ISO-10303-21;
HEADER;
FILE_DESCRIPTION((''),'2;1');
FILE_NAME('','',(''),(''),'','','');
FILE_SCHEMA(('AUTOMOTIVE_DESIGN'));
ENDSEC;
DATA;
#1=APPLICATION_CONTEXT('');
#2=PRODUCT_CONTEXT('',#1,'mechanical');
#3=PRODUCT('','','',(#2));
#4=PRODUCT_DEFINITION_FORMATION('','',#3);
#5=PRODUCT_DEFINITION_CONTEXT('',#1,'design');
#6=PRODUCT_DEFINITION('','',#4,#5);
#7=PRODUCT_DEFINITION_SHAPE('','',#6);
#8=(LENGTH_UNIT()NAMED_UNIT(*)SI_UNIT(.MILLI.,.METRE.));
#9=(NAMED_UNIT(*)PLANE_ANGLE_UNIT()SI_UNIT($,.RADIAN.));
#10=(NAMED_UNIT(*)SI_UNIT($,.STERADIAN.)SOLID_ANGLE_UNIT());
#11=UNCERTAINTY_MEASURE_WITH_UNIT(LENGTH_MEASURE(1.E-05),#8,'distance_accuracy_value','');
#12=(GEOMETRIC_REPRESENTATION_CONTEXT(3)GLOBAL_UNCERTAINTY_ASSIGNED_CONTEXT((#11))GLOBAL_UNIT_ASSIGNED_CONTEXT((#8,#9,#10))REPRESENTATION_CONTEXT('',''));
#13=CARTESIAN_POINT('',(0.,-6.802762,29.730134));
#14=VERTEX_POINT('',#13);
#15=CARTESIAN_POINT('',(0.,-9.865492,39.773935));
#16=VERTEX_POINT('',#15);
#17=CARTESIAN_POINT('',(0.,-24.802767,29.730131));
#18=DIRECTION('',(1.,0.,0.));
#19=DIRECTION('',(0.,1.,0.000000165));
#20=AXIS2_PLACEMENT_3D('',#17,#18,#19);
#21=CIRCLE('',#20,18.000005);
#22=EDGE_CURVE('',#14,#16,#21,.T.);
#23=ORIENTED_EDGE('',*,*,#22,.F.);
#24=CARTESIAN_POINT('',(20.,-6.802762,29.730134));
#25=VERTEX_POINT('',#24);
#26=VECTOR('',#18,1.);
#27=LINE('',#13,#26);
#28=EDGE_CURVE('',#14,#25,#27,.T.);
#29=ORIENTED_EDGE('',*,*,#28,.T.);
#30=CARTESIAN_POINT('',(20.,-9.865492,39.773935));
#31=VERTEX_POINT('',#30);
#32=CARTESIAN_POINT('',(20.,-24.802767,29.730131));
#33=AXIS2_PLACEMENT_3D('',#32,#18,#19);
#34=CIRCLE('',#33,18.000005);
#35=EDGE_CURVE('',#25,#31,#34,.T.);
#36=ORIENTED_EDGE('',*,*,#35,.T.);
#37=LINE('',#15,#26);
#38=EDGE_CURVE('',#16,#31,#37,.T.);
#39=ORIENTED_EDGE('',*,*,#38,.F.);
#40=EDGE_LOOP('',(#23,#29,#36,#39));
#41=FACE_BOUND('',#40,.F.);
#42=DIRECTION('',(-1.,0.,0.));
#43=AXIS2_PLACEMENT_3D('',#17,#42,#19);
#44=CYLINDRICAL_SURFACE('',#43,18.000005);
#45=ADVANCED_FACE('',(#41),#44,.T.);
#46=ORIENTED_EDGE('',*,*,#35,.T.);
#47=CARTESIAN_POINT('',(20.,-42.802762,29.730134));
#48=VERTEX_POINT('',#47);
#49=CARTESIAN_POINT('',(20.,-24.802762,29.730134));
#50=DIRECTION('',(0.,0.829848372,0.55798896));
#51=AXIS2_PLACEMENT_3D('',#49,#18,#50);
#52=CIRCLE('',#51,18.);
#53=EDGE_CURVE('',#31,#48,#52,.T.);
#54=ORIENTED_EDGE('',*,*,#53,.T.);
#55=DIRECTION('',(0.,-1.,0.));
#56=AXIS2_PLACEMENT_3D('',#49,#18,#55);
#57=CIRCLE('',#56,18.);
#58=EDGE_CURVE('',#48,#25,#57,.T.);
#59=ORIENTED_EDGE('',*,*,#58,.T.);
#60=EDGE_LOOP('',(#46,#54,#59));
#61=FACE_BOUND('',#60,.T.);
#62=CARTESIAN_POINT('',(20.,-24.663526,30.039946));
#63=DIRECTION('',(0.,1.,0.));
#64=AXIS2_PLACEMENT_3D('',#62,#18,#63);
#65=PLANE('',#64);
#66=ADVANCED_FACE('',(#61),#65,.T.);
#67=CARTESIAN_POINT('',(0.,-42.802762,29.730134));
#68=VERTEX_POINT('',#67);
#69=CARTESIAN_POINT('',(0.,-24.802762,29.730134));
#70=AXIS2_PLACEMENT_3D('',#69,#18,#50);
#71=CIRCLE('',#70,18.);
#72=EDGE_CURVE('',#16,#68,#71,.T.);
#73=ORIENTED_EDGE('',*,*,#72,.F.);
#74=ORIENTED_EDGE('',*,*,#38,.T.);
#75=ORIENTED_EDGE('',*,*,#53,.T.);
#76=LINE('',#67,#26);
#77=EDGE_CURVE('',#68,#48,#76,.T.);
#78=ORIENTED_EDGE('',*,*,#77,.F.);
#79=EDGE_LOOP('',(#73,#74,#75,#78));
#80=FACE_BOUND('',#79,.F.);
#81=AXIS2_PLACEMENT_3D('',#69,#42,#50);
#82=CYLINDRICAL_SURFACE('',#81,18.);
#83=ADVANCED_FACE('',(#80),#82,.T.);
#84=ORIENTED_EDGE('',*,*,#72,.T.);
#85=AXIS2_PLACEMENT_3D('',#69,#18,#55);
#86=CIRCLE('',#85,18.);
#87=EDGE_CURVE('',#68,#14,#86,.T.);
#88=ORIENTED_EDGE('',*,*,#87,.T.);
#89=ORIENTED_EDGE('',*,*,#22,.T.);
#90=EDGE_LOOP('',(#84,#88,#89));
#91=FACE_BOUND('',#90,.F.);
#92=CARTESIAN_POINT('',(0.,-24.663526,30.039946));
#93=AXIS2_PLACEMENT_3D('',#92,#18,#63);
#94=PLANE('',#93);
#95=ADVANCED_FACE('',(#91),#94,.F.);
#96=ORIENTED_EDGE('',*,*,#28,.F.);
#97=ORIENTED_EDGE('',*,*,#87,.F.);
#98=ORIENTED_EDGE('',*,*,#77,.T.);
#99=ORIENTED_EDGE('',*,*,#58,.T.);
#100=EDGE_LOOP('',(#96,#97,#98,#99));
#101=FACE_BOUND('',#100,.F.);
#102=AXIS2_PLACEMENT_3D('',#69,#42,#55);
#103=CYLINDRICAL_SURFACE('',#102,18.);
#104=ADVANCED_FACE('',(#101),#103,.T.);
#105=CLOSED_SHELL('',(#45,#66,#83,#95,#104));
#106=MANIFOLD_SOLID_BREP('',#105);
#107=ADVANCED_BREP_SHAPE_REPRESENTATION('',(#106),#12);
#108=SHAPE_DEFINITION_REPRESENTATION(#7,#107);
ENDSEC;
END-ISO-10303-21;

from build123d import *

# Parameters (mm, degrees)
F1_DEPTH = 20


with BuildPart() as f1:
    # F0 (on Right) → F1 (new body)
    with BuildSketch(Plane.YZ):
        with BuildLine():
            ThreePointArc((-42.802762, 29.730134), (-24.802762, 11.730134), (-6.802762, 29.730134))
            ThreePointArc((-6.802762, 29.730134), (-7.585462, 34.98033), (-9.865492, 39.773935))
            ThreePointArc((-9.865492, 39.773935), (-30.052959, 46.947434), (-42.802762, 29.730134))
        make_face()
    extrude(amount=F1_DEPTH)


solid = f1.part
